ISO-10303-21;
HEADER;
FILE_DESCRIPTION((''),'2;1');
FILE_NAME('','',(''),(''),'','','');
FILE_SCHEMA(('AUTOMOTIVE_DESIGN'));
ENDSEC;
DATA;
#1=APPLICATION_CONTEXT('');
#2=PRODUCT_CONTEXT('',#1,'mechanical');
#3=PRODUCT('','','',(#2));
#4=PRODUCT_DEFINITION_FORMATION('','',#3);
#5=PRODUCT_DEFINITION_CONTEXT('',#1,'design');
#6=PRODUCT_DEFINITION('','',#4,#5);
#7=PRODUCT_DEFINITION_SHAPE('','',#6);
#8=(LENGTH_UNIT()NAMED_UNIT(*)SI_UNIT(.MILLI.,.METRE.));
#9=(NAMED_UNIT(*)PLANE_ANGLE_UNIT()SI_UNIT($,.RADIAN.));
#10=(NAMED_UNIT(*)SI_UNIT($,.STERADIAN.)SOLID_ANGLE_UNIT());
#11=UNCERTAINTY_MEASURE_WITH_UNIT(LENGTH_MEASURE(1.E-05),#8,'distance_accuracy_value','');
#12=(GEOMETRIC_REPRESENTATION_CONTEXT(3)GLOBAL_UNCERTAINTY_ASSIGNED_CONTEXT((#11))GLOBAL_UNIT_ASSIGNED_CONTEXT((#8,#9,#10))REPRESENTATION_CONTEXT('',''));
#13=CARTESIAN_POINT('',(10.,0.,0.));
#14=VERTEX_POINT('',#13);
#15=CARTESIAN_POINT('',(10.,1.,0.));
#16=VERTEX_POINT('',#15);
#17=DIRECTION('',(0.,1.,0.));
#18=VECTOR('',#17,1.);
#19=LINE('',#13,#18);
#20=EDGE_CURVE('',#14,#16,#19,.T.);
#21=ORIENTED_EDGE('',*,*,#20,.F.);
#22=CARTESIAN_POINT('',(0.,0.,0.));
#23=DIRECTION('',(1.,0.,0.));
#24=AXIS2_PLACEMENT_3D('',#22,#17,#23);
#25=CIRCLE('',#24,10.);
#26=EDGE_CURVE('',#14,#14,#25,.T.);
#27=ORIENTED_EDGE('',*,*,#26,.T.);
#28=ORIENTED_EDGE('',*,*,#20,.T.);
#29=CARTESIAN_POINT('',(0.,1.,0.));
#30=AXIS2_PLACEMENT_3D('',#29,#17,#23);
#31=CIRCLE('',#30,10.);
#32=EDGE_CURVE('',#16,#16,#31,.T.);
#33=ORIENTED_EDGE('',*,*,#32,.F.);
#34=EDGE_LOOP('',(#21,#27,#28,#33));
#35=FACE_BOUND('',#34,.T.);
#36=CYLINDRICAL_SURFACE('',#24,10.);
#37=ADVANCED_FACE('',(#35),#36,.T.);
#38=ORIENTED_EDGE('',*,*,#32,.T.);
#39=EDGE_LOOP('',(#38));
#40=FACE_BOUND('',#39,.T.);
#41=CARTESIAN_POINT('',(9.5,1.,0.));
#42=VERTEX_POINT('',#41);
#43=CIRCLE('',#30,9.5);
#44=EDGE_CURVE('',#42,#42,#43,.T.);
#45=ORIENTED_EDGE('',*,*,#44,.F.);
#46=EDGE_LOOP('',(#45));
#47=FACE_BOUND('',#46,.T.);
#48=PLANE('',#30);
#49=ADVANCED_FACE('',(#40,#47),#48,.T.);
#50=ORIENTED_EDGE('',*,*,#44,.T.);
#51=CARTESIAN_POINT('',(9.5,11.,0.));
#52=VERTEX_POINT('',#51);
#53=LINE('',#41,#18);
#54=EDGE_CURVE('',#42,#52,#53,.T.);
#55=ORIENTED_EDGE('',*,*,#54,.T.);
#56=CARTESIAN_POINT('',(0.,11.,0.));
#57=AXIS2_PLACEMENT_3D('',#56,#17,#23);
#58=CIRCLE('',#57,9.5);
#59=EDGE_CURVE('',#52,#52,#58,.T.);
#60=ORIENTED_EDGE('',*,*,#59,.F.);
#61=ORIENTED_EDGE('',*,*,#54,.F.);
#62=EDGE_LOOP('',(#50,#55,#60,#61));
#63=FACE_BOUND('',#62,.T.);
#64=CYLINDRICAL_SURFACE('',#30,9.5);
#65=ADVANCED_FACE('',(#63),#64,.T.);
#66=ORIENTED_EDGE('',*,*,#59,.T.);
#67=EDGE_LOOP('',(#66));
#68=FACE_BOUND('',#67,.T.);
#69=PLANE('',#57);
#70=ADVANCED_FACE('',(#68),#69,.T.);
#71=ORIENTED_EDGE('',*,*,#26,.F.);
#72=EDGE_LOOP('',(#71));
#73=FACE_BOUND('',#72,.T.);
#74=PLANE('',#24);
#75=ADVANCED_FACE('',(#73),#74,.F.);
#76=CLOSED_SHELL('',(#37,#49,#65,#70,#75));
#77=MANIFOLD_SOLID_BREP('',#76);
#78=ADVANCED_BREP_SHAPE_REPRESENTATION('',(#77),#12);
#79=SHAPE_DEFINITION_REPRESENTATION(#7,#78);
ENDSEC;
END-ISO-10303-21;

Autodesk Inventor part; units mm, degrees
ref_plane "YZ Plane" through (0, 0, 0) normal (1, 0, 0) x (0, 1, 0)
ref_plane "XZ Plane" through (0, 0, 0) normal (0, 1, 0) x (-1, 0, 0)
ref_plane "XY Plane" through (0, 0, 0) normal (0, 0, 1) x (1, 0, 0)
sketch "Sketch2" plane through (0, 0, 0) normal (0, 0, 1) x (1, 0, 0)
  line L0 (0, 0) -> (0, 11)
  line L1 (0, 0) -> (10, 0)
  line L2 (10, 0) -> (10, 1)
  line L3 (10, 1) -> (9.5, 1)
  line L4 (9.5, 1) -> (9.5, 11)
  line L5 (9.5, 11) -> (0, 11)
  dimension "d0" = 11
  dimension "d1" = 10
  dimension "d2" = 0.5
  dimension "d3" = 1
revolve "Revolution1" add sketch "Sketch2" angle 360 about axis through (0, 0, 0) along (0, 1, 0)
thread "Thread1" size "M39x4" class "6g" standard "ANSI Metric M Profile" full length
properties part number "Plug"
